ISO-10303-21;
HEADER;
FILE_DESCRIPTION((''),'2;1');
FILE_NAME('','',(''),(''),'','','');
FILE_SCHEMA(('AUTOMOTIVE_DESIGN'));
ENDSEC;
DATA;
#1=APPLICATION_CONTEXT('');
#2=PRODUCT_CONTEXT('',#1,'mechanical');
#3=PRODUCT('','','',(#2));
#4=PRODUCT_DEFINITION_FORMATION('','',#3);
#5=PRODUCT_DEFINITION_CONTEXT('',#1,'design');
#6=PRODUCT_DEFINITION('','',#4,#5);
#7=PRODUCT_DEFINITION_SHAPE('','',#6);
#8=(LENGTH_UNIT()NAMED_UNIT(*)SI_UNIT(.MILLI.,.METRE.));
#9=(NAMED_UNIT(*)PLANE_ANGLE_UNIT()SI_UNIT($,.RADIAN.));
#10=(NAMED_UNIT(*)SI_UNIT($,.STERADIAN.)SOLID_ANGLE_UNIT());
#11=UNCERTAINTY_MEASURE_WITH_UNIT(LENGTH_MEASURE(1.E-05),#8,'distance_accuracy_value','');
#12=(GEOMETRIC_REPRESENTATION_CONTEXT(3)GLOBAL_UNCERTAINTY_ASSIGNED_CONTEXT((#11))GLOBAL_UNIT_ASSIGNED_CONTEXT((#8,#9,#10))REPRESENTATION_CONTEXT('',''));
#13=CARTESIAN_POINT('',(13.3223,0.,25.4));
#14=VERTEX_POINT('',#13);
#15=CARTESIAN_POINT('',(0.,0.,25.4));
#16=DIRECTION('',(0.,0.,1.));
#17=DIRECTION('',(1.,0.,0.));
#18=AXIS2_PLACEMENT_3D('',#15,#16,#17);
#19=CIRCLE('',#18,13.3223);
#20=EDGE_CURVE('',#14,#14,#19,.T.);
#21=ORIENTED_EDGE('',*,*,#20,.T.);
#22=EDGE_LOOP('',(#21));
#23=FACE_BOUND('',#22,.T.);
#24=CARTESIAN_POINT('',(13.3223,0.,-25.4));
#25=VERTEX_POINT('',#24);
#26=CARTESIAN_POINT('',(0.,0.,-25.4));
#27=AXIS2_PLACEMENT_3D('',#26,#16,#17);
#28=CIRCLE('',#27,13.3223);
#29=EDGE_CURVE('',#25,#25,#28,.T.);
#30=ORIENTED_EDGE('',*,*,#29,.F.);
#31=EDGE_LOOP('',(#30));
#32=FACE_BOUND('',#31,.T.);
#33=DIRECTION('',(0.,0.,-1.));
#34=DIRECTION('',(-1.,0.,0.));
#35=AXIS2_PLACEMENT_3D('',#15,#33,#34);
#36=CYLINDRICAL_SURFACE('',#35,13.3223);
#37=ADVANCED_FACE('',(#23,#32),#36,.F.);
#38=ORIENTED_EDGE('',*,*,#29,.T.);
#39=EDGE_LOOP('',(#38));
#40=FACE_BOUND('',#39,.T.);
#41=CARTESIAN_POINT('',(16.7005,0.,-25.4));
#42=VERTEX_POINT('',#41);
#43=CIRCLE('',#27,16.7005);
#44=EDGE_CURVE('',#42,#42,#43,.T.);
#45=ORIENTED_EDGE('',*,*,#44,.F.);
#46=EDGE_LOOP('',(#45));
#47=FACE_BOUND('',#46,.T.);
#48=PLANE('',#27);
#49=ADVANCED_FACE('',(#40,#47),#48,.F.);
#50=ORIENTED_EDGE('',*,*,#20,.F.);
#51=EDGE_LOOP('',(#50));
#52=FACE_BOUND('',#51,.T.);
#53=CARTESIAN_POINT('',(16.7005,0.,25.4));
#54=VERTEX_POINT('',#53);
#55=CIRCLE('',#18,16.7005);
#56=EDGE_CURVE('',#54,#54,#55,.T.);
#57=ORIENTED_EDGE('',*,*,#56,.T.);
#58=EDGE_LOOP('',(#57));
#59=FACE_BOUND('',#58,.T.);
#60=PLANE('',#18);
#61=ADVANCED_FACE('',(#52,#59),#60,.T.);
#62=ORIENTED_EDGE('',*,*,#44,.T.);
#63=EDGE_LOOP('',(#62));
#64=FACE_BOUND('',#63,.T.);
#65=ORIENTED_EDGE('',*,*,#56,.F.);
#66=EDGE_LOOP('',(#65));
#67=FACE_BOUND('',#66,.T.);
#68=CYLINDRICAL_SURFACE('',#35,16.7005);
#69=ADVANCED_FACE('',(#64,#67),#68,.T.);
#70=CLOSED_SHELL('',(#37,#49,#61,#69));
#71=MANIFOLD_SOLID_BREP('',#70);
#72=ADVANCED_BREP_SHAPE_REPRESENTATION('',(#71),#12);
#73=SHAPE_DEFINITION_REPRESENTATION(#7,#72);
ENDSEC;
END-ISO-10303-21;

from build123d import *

# Parameters (mm, degrees)
SKETCH1_R           = 16.7005
SKETCH1_R_2         = 13.3223
EXTRUDE_THIN1_DEPTH = 25.4


with BuildPart() as part:
    # Sketch1 → Extrude-Thin1 (new body, symmetric)
    with BuildSketch(Plane.XY):
        Circle(SKETCH1_R)
        Circle(SKETCH1_R_2, mode=Mode.SUBTRACT)
    extrude(amount=EXTRUDE_THIN1_DEPTH, both=True)


solid = part.part
